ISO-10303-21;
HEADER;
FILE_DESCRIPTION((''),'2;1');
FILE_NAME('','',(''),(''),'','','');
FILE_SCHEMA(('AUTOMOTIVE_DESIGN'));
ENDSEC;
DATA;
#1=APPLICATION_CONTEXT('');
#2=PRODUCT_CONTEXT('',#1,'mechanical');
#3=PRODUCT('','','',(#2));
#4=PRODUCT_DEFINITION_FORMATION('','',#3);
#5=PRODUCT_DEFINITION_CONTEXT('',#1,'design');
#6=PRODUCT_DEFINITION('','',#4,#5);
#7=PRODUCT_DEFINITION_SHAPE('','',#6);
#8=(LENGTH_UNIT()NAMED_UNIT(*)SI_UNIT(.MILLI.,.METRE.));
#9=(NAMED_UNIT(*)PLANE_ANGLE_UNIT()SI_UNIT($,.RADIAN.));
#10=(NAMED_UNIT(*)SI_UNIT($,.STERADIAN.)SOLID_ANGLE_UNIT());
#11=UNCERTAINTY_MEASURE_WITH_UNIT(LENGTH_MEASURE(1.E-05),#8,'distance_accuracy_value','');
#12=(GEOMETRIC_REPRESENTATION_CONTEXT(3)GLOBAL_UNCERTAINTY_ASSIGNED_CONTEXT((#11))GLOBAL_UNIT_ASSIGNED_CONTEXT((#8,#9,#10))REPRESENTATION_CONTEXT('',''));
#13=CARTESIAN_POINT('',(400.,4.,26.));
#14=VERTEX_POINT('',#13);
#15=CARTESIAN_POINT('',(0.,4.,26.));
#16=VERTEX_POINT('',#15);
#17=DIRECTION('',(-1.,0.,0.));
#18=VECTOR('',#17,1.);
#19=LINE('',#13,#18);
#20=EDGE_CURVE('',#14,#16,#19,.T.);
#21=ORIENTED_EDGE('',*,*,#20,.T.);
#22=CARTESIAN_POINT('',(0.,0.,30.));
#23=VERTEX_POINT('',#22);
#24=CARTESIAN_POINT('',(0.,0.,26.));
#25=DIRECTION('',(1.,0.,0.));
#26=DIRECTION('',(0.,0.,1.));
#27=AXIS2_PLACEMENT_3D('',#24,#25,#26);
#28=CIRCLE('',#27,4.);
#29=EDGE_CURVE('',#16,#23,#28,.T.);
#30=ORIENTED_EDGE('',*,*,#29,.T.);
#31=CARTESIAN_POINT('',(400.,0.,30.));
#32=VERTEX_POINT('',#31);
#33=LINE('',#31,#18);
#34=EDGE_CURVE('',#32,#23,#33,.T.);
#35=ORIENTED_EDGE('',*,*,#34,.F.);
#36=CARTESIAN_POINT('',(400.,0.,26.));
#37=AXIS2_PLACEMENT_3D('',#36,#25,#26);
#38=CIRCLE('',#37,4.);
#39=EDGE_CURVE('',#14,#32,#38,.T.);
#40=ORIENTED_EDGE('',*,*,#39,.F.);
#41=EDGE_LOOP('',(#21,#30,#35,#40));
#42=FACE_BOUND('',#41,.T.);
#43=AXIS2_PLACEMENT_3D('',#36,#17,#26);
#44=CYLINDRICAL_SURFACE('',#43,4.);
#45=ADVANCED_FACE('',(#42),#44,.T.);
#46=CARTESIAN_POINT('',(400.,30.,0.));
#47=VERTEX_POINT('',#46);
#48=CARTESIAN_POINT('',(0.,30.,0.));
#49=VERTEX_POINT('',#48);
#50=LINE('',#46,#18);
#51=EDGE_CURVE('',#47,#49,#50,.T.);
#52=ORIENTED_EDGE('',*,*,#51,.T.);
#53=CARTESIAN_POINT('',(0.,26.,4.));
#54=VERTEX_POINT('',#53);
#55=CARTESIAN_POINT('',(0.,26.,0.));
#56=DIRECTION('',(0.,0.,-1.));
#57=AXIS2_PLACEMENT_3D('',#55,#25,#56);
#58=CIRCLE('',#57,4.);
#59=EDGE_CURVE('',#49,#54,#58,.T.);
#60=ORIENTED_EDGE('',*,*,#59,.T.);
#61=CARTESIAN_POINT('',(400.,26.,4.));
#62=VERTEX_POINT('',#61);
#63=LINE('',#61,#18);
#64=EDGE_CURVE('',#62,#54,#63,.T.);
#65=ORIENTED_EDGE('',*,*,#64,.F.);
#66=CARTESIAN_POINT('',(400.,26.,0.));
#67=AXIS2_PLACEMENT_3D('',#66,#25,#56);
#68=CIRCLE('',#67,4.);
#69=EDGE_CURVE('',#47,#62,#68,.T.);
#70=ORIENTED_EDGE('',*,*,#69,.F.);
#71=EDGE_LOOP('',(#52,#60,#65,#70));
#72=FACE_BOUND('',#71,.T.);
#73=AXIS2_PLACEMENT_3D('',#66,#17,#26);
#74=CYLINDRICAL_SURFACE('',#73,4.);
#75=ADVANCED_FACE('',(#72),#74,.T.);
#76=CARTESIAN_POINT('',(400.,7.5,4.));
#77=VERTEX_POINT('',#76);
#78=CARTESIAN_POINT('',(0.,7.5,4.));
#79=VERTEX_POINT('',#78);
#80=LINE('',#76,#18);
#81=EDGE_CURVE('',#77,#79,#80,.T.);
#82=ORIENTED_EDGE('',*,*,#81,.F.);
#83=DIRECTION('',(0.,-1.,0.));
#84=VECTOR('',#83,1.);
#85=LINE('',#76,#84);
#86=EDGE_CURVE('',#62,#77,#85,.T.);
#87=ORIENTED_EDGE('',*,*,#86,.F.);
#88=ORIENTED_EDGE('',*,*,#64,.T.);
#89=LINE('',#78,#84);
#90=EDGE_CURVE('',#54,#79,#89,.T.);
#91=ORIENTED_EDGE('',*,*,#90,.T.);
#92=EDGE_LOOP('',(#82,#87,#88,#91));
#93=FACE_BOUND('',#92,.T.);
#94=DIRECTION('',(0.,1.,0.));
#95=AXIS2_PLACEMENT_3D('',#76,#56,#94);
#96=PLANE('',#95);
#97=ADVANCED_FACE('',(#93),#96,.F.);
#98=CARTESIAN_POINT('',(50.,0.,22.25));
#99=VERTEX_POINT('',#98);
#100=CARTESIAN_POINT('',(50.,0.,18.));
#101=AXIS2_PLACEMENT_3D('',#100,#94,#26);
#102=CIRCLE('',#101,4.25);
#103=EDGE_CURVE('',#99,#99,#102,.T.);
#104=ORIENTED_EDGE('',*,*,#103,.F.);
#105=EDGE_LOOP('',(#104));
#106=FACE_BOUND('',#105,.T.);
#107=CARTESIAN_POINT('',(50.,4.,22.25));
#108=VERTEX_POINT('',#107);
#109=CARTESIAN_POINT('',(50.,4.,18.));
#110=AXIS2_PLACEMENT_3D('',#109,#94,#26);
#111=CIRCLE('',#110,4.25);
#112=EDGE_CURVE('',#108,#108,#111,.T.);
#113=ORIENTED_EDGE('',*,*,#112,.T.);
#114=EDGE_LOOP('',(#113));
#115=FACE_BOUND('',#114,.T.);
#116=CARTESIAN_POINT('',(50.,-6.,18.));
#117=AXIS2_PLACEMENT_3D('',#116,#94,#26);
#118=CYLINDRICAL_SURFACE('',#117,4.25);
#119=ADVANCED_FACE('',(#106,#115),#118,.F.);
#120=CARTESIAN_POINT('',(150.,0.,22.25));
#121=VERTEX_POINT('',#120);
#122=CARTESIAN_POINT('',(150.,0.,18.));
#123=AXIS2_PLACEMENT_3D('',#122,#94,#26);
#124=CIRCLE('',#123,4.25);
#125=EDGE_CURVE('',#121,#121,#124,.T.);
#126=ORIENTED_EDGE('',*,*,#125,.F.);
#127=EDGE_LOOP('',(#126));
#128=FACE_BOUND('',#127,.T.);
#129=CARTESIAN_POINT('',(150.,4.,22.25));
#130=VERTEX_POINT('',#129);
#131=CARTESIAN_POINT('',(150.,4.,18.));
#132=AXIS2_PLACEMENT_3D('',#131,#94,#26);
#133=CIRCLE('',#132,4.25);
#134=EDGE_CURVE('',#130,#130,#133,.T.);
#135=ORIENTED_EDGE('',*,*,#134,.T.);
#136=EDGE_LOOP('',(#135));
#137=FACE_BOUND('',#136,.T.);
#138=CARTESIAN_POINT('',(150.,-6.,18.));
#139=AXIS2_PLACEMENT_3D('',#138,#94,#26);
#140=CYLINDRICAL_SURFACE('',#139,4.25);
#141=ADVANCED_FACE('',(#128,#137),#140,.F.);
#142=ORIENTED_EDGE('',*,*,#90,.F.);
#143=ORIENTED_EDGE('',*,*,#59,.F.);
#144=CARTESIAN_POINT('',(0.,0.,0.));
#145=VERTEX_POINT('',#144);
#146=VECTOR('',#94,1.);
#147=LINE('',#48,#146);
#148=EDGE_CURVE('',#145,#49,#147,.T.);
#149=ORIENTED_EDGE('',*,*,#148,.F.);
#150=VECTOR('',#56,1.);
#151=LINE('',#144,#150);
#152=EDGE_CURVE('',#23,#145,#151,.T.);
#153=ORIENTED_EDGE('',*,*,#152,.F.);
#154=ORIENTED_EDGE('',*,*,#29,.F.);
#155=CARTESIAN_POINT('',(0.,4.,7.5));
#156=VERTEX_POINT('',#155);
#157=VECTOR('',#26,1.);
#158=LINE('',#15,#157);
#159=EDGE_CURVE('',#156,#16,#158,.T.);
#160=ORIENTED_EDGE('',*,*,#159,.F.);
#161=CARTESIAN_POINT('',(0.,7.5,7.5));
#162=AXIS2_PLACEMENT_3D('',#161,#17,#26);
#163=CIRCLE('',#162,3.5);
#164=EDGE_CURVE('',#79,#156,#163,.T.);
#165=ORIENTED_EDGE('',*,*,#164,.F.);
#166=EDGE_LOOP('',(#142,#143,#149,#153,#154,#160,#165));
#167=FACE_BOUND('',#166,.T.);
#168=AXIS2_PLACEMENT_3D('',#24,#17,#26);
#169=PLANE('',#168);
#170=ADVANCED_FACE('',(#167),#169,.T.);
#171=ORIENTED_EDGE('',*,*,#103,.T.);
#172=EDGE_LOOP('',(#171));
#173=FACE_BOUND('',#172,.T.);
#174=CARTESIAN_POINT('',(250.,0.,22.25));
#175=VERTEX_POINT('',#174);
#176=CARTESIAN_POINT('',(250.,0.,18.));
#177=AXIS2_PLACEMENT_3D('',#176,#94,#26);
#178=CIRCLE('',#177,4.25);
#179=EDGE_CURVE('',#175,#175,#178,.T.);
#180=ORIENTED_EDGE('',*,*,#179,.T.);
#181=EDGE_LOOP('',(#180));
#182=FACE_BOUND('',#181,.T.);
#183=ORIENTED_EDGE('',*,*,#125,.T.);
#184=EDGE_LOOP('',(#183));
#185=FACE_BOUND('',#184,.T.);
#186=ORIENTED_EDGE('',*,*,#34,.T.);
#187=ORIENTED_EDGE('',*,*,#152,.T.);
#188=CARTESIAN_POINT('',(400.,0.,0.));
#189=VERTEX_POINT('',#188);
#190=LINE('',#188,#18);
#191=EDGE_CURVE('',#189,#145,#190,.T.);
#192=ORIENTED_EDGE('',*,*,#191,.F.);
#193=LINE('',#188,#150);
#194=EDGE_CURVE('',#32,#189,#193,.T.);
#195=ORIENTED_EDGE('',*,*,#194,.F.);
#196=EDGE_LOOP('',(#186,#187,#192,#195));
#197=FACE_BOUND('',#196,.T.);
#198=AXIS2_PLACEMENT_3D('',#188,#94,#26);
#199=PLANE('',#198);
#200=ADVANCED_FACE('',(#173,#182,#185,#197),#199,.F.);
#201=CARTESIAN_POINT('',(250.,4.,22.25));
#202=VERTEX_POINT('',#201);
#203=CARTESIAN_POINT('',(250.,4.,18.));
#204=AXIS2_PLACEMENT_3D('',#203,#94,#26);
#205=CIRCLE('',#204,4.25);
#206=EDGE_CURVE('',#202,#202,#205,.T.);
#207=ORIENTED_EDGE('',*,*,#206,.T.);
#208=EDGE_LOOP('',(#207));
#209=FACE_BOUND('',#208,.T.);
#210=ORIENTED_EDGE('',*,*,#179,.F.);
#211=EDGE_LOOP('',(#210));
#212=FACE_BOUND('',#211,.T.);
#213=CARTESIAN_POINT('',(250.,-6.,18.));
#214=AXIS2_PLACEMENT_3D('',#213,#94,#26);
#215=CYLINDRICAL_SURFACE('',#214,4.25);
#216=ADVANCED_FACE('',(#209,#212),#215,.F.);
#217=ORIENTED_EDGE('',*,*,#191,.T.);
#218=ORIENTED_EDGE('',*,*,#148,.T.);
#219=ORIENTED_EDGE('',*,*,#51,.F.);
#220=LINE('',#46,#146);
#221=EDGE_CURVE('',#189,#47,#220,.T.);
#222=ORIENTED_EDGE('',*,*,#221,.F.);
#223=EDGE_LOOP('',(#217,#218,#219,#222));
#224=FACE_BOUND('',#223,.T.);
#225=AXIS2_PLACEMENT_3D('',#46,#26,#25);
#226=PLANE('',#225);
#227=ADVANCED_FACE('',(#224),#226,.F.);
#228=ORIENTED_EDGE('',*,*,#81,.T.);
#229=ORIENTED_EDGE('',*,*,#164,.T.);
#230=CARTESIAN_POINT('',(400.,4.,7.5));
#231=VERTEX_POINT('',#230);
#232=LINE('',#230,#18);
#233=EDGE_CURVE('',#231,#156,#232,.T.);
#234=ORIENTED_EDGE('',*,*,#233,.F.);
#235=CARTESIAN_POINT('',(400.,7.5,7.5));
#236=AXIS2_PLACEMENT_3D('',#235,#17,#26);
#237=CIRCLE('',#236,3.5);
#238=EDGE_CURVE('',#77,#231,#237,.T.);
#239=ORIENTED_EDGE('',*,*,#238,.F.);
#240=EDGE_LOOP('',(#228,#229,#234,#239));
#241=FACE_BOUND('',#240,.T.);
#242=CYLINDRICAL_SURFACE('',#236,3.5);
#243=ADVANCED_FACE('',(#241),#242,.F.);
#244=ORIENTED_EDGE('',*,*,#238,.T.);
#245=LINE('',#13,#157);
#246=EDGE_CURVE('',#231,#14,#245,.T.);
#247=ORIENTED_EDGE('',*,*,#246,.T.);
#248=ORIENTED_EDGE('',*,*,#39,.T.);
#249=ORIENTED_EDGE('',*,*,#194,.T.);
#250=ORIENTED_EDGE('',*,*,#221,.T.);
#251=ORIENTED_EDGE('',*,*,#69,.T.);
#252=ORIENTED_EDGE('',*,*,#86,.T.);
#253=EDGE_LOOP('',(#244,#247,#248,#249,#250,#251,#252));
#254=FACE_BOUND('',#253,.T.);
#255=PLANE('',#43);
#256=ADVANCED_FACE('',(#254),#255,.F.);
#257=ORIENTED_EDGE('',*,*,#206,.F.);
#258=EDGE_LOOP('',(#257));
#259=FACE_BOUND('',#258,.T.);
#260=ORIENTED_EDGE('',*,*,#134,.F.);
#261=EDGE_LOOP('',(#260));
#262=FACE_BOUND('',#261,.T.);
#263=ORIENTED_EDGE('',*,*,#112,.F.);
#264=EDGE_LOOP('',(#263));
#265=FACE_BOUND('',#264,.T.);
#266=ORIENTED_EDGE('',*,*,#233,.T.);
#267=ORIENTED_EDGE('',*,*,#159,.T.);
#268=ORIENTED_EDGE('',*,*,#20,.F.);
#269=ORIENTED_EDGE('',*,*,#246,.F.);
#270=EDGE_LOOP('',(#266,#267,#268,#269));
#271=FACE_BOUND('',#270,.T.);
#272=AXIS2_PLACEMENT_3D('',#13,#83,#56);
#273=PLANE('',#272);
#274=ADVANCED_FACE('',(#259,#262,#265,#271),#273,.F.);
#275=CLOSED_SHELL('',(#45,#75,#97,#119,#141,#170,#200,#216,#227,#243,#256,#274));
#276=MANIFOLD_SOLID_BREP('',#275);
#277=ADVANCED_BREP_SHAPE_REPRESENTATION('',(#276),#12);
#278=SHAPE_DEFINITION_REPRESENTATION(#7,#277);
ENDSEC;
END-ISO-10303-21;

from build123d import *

# Parameters (mm, degrees)
ANGLE_IRON_25_X_25_X_4_1_DEPTH = 400
SKETCH12_R                     = 4.25
CUT_EXTRUDE1_DEPTH             = 10


with BuildPart() as part:
    # Sketch11 → Angle iron 25 X 25 X 4(1) (new body)
    with BuildSketch(Plane.YZ):
        with BuildLine():
            Line((0, 0), (0, 30))
            ThreePointArc((0, 30), (2.828427125, 28.828427125), (4, 26))
            Line((4, 26), (4, 7.5))
            ThreePointArc((4, 7.5), (5.025126266, 5.025126266), (7.5, 4))
            Line((7.5, 4), (26, 4))
            ThreePointArc((26, 4), (28.828427125, 2.828427125), (30, 0))
            Line((30, 0), (0, 0))
        make_face()
    extrude(amount=ANGLE_IRON_25_X_25_X_4_1_DEPTH)

    # Sketch12 → Cut-Extrude1 (cut)
    with BuildSketch(Plane(origin=(0, 4, 0), x_dir=(1, 0, 0), z_dir=(0, 1, 0))):
        with Locations(Location((50, -18, 0), (0, 0, 270))):
            Circle(SKETCH12_R)
        with Locations(Location((150, -18, 0), (0, 0, 270))):
            Circle(SKETCH12_R)
        with Locations(Location((250, -18, 0), (0, 0, 270))):
            Circle(SKETCH12_R)
    extrude(amount=-CUT_EXTRUDE1_DEPTH, mode=Mode.SUBTRACT)


solid = part.part
